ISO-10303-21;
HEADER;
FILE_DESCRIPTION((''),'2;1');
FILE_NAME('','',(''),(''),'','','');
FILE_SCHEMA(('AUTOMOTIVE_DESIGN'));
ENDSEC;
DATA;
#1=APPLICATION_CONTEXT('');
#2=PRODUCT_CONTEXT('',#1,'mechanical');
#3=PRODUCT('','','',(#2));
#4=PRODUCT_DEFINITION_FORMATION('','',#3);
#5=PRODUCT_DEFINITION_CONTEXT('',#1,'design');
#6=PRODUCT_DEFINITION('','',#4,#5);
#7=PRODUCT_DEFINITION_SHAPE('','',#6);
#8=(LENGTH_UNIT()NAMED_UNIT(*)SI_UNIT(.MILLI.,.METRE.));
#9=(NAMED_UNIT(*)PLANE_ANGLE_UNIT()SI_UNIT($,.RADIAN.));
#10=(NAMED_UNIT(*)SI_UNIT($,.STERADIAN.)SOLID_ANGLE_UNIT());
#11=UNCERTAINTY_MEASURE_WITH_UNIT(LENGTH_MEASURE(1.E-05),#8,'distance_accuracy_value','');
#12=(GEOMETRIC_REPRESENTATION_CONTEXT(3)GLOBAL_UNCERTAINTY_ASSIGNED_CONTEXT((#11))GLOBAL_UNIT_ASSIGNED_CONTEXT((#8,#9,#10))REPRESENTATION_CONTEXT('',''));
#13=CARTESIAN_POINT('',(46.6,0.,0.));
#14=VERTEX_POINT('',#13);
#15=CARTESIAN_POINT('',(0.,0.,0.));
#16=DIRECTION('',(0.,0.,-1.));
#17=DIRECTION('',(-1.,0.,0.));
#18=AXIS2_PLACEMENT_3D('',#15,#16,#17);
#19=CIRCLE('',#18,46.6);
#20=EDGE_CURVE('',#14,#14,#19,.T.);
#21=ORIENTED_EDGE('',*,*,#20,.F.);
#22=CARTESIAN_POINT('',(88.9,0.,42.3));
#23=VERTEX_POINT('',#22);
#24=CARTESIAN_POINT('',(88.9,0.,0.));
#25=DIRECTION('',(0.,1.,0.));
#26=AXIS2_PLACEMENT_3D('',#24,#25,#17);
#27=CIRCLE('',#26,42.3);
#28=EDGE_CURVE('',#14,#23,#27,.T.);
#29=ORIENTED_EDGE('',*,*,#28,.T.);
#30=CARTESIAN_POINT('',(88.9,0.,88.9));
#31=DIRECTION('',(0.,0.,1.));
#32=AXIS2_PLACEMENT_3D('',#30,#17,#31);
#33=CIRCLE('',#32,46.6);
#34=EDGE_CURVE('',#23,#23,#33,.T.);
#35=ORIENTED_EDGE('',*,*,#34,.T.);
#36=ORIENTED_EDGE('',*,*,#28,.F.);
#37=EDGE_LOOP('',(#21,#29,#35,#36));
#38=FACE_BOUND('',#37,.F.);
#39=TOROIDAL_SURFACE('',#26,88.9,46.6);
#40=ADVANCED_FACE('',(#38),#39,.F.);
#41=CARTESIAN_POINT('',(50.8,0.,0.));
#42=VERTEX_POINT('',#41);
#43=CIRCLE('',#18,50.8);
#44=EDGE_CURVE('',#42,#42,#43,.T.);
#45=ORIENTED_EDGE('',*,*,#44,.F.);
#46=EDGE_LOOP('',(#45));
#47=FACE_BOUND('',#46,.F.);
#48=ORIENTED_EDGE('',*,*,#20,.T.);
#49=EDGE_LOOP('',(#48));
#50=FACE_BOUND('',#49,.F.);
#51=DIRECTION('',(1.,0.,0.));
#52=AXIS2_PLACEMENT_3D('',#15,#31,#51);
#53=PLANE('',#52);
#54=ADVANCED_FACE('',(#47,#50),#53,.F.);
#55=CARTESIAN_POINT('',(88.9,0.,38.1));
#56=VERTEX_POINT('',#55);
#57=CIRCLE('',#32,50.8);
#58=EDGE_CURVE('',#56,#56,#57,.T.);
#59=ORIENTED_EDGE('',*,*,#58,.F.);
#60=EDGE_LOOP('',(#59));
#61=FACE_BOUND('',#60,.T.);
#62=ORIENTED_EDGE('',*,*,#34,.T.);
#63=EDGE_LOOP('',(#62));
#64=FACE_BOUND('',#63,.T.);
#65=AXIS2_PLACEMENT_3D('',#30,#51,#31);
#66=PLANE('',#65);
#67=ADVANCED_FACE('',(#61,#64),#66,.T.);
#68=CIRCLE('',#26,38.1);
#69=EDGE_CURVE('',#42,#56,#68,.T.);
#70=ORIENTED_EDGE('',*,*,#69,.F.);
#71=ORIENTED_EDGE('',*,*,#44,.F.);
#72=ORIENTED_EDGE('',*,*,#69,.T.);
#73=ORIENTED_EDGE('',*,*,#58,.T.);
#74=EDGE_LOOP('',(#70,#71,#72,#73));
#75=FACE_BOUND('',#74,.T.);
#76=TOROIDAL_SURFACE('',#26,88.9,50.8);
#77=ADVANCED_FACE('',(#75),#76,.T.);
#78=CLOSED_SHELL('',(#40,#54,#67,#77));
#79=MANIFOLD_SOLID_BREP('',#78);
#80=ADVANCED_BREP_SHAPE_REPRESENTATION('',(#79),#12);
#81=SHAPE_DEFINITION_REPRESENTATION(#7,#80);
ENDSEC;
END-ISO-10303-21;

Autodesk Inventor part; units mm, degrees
ref_plane "YZ Plane" through (0, 0, 0) normal (1, 0, 0) x (0, 1, 0)
ref_plane "XZ Plane" through (0, 0, 0) normal (0, 1, 0) x (-1, 0, 0)
ref_plane "XY Plane" through (0, 0, 0) normal (0, 0, 1) x (1, 0, 0)
sketch "Sketch1" plane through (0, 0, 0) normal (0, 0, 1) x (1, 0, 0)
  circle A0 centre (0, 0) radius 46.6
  circle A1 centre (0, 0) radius 50.8
  dimension "d0" = 93.2
  dimension "d1" = 101.6
sketch "Sketch2" plane through (0, 0, 0) normal (0, 1, 0) x (-1, 0, 0)
  line L0 (0, 0) -> (0, 88.9) construction
  line L1 (0, 88.9) -> (-88.9, 88.9) construction
  arc A0 (0, 0) -> (-88.9, 88.9) centre (-88.9, 0) ccw
  dimension "d2" = 88.9
  dimension "d3" = 90
  dimension "d4" = 88.9
sweep "Sweep1" add profiles "Sketch1" path "Sketch2"
equation "\"d0\" = D - 2 * T"
equation "\"d1\" = D"
equation "\"d2\" = F1"
equation "\"d4\" = F1"
equation "\"D\" = 101.6"
equation "\"F1\" = 88.9"
equation "\"T\" = 4.2"
equation "\"Size_Designation\" = 1.2345"
properties part number "JIS B 2311 90 Deg Short Elbow Steel - 90A" material "Steel"
